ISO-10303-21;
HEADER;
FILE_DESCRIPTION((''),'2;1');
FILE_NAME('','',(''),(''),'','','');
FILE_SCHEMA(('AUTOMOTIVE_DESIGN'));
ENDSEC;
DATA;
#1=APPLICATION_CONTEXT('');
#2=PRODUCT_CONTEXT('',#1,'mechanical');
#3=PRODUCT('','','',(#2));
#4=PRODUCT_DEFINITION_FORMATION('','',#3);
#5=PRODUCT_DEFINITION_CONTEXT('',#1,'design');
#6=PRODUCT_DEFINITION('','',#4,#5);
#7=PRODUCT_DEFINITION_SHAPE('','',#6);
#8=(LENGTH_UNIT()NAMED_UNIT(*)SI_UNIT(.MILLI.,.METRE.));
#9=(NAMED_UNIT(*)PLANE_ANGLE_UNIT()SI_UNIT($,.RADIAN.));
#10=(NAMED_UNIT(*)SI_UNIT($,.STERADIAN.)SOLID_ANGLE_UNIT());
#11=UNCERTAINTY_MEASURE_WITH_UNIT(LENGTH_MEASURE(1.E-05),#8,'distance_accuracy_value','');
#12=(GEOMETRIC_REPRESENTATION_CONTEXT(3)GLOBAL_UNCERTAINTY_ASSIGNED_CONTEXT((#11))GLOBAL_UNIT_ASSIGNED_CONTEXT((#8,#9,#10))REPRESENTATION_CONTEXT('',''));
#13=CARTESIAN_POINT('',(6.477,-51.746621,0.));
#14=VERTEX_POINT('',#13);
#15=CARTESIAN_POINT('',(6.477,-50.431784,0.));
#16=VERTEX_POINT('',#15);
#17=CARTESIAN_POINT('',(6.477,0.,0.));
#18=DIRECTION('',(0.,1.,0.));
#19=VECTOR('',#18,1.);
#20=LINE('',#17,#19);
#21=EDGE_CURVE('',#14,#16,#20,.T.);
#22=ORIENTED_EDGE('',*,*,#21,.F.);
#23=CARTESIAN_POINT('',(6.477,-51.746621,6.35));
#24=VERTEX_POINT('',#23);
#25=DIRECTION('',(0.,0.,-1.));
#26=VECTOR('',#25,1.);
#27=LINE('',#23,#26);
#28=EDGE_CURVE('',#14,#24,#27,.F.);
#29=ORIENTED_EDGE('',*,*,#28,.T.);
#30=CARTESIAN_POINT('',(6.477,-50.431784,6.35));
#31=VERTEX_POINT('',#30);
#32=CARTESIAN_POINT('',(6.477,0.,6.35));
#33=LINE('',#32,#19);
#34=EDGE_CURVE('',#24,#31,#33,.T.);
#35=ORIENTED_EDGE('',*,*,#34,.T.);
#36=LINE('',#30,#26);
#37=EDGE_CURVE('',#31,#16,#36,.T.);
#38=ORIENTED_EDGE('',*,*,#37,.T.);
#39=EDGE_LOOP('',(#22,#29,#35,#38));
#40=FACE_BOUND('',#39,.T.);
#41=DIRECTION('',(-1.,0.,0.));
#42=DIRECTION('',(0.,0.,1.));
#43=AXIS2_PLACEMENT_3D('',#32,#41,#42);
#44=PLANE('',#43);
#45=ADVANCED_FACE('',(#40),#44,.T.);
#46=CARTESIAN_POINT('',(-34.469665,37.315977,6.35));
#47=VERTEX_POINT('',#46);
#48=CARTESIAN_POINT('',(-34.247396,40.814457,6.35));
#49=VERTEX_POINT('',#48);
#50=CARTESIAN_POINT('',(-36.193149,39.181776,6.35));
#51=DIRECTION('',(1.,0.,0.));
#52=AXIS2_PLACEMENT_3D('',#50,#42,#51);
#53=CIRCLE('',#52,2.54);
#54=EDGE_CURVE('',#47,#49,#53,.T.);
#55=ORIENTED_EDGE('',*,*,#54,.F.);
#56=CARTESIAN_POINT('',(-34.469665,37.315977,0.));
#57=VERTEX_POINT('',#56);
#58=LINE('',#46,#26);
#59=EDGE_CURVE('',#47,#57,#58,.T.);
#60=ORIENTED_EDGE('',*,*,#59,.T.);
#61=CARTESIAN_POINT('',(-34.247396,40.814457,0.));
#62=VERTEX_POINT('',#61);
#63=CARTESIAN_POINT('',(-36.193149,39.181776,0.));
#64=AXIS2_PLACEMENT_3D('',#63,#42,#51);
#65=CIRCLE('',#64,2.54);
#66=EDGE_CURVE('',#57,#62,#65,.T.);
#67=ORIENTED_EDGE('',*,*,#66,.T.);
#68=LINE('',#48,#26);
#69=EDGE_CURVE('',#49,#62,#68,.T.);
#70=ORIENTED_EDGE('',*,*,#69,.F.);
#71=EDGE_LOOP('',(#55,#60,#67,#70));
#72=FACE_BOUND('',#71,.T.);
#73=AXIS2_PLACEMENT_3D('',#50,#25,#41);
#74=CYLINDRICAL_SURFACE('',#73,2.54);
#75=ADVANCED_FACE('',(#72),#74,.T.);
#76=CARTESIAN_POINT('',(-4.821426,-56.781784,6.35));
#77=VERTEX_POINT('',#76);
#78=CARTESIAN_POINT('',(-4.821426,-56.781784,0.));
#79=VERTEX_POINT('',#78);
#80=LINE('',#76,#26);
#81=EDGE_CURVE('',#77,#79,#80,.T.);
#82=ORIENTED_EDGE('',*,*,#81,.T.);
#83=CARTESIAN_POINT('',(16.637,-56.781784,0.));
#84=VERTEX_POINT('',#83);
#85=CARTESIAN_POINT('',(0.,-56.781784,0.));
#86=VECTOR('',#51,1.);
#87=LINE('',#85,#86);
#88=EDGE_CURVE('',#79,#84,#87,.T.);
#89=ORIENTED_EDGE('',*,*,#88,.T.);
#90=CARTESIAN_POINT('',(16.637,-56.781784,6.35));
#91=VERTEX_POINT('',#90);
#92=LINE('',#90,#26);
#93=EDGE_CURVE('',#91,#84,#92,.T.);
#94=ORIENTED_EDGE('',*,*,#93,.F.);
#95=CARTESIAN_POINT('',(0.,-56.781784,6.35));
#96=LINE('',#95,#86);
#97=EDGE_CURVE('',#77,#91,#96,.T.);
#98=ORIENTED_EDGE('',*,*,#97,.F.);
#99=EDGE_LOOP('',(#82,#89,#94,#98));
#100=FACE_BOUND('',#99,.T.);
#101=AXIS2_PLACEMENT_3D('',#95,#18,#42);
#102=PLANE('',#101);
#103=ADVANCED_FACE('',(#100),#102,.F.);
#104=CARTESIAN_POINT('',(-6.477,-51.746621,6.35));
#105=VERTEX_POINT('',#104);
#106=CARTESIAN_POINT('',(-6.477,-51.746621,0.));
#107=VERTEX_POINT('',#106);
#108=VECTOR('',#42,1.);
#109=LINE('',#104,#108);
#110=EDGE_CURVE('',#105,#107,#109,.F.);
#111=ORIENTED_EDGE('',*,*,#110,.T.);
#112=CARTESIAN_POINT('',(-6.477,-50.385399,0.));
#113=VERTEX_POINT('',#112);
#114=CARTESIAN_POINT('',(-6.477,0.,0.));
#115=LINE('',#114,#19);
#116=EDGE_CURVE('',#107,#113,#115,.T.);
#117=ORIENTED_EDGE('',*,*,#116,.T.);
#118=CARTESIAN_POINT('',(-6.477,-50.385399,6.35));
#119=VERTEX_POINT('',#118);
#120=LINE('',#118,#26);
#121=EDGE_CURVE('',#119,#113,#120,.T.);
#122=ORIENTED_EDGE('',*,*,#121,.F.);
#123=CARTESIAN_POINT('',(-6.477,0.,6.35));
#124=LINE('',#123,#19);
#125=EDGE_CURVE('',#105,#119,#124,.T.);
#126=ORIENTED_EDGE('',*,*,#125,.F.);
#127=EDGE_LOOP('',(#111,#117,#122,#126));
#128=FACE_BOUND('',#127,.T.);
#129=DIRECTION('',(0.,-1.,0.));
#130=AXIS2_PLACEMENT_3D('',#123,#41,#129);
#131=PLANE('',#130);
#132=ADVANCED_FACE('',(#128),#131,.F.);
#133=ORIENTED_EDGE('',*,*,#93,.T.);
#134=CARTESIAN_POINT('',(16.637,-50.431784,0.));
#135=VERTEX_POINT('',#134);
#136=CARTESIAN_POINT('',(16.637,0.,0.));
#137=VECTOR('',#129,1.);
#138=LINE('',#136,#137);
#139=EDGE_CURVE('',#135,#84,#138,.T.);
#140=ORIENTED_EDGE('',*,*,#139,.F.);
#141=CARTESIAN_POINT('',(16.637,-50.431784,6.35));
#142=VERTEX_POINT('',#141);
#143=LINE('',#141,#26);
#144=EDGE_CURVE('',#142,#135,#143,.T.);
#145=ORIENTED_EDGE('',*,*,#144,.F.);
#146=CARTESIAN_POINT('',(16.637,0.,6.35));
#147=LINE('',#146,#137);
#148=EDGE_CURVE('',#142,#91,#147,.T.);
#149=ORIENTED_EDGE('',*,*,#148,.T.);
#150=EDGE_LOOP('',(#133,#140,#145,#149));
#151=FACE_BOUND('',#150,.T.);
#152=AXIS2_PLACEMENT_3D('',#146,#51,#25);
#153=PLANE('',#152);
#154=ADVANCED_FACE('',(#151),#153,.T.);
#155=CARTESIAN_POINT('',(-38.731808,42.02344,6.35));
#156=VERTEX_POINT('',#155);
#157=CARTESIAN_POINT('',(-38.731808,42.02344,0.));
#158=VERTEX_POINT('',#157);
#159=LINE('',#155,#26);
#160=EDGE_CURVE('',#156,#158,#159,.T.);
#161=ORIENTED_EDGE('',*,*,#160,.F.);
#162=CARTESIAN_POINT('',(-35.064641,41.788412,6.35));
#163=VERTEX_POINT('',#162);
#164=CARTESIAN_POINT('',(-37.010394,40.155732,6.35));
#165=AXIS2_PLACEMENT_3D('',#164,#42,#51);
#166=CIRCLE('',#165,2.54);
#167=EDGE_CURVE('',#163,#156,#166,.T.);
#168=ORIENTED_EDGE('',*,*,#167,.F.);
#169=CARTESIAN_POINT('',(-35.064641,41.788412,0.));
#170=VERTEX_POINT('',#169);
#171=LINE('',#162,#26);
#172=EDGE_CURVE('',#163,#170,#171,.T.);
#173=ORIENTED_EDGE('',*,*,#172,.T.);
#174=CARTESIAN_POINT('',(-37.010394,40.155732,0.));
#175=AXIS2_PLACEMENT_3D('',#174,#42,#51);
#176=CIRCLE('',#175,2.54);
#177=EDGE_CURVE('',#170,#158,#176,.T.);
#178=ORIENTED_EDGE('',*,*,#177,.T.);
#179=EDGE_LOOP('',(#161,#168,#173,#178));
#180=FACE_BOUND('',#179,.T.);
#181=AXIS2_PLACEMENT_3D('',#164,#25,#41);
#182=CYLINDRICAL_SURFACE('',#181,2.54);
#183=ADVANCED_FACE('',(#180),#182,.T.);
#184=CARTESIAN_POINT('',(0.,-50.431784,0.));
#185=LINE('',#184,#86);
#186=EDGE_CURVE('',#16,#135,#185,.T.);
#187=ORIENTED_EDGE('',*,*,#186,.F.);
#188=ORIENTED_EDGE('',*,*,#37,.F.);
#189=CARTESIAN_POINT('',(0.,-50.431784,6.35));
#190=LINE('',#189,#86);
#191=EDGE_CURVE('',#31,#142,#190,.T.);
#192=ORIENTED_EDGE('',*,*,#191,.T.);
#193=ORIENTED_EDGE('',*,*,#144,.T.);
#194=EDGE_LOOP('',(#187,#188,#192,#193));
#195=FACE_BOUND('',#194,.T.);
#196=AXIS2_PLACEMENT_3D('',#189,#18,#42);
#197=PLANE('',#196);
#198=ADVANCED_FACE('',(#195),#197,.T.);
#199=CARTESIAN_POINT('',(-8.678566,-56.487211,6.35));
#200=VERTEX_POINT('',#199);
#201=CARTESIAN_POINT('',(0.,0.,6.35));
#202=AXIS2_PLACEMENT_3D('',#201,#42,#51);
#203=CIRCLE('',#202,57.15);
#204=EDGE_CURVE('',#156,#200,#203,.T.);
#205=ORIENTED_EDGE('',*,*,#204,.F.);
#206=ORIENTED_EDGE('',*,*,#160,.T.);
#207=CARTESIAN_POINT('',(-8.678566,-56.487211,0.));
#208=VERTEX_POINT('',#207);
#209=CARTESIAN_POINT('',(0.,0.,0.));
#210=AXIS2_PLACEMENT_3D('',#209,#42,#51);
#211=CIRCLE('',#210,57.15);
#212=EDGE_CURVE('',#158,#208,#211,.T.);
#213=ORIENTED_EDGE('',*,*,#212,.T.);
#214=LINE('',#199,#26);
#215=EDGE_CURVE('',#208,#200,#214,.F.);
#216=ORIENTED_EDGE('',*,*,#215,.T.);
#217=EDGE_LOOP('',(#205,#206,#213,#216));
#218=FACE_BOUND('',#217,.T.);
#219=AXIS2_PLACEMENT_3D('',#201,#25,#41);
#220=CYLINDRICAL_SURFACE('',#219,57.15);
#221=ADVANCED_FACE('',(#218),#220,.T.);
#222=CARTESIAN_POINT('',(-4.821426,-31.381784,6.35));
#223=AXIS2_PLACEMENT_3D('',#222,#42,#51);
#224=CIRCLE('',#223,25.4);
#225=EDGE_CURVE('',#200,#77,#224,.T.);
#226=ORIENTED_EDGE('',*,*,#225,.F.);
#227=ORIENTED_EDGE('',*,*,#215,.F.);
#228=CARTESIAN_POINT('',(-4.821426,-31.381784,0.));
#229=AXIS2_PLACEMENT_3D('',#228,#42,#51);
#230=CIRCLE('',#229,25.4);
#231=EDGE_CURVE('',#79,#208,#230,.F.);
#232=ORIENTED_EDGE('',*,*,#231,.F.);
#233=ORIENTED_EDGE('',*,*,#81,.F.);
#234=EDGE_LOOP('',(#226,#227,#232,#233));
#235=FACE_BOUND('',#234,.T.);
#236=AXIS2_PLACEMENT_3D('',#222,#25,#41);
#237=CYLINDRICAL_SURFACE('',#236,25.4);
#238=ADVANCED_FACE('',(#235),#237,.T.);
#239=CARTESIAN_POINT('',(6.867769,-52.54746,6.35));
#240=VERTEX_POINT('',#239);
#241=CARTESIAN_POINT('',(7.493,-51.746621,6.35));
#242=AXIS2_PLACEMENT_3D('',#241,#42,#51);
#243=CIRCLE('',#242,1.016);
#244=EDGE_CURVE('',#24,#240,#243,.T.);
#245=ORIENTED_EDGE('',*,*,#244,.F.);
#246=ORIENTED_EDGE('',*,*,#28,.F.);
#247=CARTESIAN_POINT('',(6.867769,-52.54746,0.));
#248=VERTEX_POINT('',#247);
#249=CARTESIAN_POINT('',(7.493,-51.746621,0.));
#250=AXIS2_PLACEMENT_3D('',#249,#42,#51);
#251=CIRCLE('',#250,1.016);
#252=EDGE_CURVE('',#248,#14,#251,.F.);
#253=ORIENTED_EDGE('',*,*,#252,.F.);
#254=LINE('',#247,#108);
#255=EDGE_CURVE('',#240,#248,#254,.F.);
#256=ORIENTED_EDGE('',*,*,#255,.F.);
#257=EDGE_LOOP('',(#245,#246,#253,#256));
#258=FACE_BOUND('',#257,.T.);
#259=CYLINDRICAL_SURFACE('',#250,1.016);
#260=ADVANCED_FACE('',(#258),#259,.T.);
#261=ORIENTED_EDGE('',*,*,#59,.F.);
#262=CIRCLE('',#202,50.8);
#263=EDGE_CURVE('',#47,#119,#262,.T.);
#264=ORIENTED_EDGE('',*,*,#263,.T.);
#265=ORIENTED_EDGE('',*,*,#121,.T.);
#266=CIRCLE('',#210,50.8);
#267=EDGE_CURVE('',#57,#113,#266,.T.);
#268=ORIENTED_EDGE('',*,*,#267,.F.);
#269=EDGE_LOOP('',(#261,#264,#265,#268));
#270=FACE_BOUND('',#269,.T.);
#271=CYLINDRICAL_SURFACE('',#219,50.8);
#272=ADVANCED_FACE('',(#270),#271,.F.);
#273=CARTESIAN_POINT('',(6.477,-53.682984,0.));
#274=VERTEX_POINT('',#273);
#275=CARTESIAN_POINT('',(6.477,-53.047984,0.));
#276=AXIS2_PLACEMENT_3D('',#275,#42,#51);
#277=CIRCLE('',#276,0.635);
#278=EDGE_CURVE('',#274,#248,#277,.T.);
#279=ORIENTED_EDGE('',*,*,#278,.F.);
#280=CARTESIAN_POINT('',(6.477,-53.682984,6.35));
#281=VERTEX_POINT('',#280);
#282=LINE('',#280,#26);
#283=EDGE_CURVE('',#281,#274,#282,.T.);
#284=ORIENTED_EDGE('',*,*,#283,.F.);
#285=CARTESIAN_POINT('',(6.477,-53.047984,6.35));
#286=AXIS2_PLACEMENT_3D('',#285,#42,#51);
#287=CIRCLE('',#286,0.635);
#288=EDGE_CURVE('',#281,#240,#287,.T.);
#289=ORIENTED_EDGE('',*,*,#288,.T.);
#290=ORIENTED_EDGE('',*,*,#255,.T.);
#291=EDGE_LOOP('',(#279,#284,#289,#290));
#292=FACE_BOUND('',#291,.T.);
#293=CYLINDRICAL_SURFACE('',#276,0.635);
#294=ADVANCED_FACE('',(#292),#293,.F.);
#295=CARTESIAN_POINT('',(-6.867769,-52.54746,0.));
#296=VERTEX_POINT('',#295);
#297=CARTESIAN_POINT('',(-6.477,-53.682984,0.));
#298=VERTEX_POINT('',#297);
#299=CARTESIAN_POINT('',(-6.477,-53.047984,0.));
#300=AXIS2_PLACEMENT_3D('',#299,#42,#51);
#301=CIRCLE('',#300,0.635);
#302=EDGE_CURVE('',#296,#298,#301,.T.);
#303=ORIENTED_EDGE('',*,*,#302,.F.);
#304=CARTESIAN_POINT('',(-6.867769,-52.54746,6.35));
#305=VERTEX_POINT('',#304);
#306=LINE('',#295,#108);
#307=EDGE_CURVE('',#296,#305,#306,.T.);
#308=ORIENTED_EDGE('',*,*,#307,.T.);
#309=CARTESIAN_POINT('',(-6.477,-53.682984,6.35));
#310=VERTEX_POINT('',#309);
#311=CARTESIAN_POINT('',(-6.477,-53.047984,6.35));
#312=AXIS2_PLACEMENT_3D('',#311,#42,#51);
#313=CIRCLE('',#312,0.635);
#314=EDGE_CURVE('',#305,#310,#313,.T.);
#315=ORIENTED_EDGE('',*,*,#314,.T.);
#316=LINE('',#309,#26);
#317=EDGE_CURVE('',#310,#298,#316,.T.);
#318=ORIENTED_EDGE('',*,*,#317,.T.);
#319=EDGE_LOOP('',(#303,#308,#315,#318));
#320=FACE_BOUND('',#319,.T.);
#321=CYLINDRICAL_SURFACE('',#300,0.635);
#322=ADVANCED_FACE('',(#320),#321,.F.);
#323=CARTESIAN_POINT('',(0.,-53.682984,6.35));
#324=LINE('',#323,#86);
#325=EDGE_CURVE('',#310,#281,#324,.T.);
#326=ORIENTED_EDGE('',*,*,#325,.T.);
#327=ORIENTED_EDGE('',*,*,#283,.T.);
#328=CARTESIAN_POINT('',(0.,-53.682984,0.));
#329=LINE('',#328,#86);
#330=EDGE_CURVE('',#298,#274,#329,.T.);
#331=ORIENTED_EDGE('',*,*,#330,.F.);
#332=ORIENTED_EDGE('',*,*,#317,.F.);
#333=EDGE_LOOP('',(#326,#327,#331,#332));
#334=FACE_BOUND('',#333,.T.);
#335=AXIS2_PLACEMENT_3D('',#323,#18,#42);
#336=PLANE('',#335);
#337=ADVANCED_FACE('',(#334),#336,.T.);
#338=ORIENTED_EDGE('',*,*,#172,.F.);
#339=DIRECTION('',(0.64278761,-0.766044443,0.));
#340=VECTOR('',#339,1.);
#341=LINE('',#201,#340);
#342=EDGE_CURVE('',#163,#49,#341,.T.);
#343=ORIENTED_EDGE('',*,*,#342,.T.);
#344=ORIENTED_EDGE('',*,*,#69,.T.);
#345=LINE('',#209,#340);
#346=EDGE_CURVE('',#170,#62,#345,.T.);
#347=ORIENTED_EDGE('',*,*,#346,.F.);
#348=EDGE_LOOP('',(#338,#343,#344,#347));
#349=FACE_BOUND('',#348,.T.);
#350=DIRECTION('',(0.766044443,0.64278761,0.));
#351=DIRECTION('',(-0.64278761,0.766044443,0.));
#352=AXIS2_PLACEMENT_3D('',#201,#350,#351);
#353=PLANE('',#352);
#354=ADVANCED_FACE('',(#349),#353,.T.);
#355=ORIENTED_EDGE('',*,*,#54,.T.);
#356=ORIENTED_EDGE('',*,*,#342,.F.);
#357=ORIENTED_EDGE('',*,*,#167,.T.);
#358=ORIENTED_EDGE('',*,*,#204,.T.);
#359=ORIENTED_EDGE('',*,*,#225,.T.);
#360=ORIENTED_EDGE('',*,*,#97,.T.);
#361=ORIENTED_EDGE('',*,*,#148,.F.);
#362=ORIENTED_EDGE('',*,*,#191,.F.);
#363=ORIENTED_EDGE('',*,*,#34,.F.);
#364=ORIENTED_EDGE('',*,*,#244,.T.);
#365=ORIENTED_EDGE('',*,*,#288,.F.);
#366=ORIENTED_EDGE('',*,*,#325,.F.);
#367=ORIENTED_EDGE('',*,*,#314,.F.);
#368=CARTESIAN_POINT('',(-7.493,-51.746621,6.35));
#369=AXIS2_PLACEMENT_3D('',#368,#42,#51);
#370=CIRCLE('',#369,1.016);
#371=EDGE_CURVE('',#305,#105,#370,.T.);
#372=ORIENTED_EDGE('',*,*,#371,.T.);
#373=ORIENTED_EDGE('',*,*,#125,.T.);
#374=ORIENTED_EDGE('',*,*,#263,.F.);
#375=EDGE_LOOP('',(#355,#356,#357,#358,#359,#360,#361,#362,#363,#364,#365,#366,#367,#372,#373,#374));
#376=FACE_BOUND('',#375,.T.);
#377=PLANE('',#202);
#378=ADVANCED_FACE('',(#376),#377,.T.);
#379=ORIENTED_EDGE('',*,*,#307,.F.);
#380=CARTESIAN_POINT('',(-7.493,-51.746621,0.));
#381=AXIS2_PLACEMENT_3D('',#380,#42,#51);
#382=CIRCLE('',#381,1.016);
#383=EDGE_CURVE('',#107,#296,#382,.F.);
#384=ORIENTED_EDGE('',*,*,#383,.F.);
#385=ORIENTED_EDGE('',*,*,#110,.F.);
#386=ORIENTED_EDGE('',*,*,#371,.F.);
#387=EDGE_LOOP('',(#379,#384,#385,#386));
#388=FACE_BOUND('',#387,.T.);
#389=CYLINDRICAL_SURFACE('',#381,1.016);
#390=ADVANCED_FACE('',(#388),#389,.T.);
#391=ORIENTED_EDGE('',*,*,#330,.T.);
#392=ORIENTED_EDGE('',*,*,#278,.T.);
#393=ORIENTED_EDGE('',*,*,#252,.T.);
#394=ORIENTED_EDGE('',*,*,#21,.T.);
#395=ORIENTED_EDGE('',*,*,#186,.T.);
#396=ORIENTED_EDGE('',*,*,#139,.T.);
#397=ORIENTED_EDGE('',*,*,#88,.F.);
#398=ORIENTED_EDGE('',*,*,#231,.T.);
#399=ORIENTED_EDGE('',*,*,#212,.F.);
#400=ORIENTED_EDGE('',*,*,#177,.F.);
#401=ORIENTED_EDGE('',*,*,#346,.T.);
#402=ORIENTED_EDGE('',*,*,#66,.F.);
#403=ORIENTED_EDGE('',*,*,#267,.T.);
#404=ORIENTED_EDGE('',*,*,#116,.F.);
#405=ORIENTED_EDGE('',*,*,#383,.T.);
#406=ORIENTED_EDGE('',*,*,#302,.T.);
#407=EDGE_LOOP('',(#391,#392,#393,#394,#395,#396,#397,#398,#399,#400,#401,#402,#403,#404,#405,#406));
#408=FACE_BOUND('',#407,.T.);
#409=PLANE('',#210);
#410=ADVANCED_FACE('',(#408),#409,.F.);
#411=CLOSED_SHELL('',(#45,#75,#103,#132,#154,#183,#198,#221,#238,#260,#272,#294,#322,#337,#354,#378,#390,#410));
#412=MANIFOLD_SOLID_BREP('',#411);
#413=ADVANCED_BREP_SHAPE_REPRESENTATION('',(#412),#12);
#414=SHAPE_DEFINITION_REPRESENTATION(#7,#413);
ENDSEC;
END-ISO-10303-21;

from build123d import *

# Parameters (mm, degrees)
BOSS_EXTRUDE1_DEPTH = 6.35
SKETCH2_R           = 0.635
CUT_EXTRUDE1_DEPTH  = 7.35
FILLET2_R           = 1.016
FILLET3_R           = 25.4


with BuildPart() as part:
    # Sketch1 → Boss-Extrude1 (new body)
    with BuildSketch(Plane.XY):
        with BuildLine():
            ThreePointArc((-38.731808071, 42.023440406), (-54.328419489, -17.735426012), (-6.477, -56.781783796))
            Line((-6.477, -56.781783796), (6.477, -56.781783796))
            Line((6.477, -56.781783796), (16.637, -56.781783796))
            Line((16.637, -56.781783796), (16.637, -50.431783796))
            Line((16.637, -50.431783796), (6.477, -50.431783796))
            Line((6.477, -50.431783796), (6.477, -53.682983796))
            Line((6.477, -53.682983796), (-6.477, -53.682983796))
            Line((-6.477, -53.682983796), (-6.477, -50.385399383))
            ThreePointArc((-6.477, -50.385399383), (-48.394630123, -15.446675216), (-34.469665313, 37.315977453))
            ThreePointArc((-34.469665313, 37.315977453), (-33.658259426, 39.020726685), (-34.247395693, 40.814456854))
            Line((-34.247395693, 40.814456854), (-35.064641493, 41.788412472))
            ThreePointArc((-35.064641493, 41.788412472), (-36.847939613, 42.690531433), (-38.731808071, 42.023440406))
        make_face()
    extrude(amount=BOSS_EXTRUDE1_DEPTH)

    # Sketch2 → Cut-Extrude1 (cut, through all)
    with BuildSketch(Plane.XY.offset(6.35)):
        with Locations((-6.477, -53.047983796)):
            Circle(SKETCH2_R)
        with Locations((6.477, -53.047983796)):
            Circle(SKETCH2_R)
    extrude(amount=-CUT_EXTRUDE1_DEPTH, mode=Mode.SUBTRACT)

    # Fillet2
    fillet2_edges = [part.edges().sort_by_distance(p)[0] for p in [
        (-6.477, -52.412983796, 3.175),
        (6.477, -52.412983796, 3.175),
    ]]
    fillet(fillet2_edges, radius=FILLET2_R)

    # Fillet3
    fillet3_edges = [part.edges().sort_by_distance(p)[0] for p in [
        (-6.477, -56.781783796, 3.175),
    ]]
    fillet(fillet3_edges, radius=FILLET3_R)


solid = part.part
